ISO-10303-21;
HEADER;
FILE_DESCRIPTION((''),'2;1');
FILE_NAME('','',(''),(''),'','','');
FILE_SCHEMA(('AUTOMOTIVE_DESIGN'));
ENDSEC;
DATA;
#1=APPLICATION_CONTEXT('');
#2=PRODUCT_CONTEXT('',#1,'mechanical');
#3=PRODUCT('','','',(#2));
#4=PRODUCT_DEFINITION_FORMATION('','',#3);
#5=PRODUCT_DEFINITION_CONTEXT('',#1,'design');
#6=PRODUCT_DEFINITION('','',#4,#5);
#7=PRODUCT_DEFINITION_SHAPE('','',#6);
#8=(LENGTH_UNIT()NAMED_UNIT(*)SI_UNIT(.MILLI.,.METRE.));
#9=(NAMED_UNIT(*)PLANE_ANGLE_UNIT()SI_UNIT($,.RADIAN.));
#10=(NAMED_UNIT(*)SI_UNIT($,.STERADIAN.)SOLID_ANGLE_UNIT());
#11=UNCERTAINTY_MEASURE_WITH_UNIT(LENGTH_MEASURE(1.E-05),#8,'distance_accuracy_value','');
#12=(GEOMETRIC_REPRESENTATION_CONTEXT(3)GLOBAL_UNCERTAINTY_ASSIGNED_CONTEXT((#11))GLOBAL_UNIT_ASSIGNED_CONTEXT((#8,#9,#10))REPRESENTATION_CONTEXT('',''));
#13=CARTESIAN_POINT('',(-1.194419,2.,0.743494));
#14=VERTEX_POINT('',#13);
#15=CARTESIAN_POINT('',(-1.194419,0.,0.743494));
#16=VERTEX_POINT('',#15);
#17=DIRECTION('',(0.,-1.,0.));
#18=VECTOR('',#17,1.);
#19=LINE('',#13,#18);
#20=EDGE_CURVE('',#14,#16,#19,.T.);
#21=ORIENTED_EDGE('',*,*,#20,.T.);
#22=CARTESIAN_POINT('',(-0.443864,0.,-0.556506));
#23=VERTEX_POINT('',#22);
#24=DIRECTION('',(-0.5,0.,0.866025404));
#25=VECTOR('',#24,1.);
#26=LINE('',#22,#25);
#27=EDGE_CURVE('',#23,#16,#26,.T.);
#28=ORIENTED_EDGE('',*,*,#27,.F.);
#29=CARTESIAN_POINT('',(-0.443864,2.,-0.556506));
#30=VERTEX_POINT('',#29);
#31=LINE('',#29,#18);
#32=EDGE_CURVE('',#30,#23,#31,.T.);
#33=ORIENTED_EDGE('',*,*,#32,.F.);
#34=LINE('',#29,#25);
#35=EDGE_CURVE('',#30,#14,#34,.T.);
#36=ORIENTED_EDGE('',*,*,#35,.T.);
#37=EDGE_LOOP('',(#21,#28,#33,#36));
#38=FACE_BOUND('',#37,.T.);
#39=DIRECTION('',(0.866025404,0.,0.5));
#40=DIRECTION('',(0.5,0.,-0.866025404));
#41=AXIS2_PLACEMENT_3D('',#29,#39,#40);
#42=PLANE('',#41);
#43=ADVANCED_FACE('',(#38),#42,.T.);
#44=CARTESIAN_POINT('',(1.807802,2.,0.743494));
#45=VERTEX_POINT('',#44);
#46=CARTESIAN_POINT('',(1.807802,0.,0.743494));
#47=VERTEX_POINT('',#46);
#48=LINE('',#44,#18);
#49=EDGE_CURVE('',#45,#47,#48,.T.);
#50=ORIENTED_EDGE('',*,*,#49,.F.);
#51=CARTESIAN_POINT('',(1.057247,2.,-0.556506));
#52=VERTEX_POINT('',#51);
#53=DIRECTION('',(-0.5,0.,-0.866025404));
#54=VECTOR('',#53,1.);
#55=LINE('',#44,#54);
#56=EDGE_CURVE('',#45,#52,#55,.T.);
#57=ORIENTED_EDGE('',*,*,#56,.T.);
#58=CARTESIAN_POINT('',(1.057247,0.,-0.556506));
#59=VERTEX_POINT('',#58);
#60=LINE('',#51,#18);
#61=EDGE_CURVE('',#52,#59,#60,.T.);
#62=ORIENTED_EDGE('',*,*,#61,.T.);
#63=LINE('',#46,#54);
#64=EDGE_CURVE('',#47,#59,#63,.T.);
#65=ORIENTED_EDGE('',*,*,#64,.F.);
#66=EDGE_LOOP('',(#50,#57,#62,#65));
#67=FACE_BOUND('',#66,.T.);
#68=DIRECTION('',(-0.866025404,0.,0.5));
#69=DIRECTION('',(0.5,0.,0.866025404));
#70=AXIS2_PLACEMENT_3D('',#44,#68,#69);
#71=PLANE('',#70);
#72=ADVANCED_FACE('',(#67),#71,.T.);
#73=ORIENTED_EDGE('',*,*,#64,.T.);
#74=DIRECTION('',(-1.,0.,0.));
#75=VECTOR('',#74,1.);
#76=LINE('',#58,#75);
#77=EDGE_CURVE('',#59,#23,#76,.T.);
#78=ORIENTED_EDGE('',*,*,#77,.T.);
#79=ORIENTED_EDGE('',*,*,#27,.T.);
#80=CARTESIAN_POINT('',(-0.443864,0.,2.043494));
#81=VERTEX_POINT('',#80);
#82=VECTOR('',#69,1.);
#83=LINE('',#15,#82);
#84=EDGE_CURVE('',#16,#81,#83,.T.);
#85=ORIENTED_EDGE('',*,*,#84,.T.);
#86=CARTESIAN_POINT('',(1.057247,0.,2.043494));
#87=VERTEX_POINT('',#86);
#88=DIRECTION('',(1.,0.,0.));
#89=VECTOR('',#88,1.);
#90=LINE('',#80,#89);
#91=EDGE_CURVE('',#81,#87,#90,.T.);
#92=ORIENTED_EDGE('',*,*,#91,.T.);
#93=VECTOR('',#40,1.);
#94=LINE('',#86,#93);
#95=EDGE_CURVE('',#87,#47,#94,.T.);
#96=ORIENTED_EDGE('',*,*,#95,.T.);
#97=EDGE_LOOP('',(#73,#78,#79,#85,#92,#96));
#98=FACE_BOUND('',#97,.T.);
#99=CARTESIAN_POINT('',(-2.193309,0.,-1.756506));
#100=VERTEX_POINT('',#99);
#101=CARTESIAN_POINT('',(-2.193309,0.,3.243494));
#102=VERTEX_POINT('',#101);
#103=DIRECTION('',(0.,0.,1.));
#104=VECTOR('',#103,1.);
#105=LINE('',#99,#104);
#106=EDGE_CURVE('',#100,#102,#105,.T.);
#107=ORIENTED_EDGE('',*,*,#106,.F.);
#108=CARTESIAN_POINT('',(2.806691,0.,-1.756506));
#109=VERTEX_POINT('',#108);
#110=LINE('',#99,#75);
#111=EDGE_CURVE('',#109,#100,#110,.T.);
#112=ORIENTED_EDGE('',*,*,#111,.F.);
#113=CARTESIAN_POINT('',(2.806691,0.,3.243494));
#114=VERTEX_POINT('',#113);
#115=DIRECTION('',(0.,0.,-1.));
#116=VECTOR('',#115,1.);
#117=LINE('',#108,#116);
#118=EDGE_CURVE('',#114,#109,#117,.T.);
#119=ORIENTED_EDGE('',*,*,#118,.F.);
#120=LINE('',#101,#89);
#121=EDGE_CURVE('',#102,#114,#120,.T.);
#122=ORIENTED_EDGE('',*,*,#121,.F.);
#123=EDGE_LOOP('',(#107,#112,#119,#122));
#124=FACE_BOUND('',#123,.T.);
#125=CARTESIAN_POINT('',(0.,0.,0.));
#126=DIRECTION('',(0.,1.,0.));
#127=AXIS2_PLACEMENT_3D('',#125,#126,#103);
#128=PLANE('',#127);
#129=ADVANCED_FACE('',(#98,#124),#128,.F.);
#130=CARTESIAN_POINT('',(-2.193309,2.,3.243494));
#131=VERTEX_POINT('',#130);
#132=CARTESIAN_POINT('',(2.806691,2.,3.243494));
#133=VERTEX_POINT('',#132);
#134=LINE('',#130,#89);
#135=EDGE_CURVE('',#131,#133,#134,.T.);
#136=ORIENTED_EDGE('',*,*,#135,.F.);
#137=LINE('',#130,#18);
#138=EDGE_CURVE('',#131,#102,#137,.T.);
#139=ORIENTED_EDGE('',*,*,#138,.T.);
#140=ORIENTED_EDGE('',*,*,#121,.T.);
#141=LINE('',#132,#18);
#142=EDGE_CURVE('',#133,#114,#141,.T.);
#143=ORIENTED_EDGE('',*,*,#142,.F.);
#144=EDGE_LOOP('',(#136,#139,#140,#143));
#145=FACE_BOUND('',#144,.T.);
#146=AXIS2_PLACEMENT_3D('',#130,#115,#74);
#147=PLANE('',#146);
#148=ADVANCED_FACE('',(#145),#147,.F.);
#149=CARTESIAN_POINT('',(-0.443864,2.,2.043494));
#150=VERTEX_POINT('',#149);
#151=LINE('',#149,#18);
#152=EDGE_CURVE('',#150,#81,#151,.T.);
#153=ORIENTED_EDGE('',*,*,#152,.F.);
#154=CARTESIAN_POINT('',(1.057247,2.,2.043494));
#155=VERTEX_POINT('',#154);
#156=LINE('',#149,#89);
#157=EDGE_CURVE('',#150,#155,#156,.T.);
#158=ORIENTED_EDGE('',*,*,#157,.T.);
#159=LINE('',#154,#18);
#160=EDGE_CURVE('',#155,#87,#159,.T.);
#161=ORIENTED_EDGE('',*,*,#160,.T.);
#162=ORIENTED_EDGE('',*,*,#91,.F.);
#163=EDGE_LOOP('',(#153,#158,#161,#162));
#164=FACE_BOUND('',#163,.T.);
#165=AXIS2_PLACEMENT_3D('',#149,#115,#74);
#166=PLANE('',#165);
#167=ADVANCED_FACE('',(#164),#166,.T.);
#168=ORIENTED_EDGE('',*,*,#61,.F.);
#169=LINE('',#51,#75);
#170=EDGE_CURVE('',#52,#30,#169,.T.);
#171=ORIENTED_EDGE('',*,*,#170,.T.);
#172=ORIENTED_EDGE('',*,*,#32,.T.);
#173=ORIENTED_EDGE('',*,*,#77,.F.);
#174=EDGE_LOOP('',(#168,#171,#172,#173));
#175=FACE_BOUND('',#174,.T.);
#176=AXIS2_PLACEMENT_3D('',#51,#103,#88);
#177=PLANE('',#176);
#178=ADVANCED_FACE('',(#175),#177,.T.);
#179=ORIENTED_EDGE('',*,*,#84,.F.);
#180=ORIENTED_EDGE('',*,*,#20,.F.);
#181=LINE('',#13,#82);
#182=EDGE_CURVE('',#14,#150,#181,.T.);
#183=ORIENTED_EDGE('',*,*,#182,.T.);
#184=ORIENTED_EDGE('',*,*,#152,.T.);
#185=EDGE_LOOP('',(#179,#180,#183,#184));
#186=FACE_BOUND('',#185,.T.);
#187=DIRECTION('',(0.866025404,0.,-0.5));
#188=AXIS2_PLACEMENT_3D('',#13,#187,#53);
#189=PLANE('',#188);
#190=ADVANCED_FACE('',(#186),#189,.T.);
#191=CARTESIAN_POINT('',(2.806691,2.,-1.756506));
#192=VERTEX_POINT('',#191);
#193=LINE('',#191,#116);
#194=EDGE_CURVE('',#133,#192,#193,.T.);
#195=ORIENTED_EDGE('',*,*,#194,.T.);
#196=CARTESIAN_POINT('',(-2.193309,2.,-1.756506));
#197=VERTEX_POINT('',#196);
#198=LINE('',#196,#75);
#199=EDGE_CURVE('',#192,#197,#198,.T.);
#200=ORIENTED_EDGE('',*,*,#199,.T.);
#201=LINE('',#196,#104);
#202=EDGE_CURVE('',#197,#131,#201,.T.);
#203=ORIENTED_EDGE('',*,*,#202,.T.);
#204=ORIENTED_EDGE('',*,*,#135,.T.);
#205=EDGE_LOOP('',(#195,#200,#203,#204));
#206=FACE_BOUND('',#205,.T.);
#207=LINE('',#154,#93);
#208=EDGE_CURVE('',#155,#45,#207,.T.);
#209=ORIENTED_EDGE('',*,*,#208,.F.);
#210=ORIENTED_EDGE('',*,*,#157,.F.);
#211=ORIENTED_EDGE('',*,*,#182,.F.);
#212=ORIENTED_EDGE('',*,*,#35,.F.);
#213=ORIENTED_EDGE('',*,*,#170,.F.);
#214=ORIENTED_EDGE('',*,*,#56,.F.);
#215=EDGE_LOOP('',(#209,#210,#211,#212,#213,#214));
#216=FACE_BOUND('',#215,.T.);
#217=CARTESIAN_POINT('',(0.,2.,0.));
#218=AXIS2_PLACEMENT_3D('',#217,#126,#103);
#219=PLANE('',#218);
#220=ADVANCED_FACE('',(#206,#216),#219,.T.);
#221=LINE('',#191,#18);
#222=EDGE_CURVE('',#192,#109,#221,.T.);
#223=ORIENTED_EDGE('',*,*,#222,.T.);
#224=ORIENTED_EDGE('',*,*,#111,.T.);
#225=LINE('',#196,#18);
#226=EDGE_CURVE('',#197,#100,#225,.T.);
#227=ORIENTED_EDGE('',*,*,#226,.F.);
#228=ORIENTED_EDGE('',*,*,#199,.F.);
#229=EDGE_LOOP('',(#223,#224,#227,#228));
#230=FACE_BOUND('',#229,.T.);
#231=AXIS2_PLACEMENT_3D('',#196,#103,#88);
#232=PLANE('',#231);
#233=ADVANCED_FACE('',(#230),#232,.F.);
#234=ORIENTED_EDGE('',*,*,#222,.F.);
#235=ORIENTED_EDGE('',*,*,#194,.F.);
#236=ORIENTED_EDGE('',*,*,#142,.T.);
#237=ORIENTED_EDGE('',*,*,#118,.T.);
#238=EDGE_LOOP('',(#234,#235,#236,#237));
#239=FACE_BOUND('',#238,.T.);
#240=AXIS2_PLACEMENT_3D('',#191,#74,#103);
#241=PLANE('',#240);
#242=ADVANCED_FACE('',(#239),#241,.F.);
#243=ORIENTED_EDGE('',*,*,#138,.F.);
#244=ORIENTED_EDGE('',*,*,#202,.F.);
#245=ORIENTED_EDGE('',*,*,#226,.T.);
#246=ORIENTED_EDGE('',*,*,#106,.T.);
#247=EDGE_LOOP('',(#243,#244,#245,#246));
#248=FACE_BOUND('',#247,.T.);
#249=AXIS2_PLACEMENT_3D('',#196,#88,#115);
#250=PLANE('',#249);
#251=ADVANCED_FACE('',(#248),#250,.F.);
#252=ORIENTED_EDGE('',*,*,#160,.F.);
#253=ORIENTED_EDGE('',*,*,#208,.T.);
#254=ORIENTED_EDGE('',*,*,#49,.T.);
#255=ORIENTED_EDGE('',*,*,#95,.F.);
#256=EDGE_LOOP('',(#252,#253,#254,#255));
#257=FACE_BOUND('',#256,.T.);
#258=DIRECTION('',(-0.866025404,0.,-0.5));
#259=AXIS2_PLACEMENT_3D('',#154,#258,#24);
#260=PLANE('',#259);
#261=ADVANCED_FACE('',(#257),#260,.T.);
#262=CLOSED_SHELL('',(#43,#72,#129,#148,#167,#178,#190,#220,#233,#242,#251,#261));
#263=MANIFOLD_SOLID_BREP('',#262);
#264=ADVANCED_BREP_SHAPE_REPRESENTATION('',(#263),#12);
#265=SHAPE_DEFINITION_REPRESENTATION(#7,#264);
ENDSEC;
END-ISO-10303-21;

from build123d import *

# Parameters (mm, degrees)
CROQUIS1_W              = 5
CROQUIS1_H              = 5
SALIENTE_EXTRUIR1_DEPTH = 2


with BuildPart() as part:
    # Croquis1 → Saliente-Extruir1 (new body)
    with BuildSketch(Plane(origin=(0, 0, 0), x_dir=(1, 0, 0), z_dir=(0, 1, 0))):
        with Locations((0.30669145, -0.743494424)):
            Rectangle(CROQUIS1_W, CROQUIS1_H)
        Polygon((1.80780215, -0.743494424), (1.0572468, 0.556505576), (-0.4438639, 0.556505576), (-1.19441925, -0.743494424), (-0.4438639, -2.043494424), (1.0572468, -2.043494424), align=None, mode=Mode.SUBTRACT)
    extrude(amount=SALIENTE_EXTRUIR1_DEPTH)


solid = part.part
